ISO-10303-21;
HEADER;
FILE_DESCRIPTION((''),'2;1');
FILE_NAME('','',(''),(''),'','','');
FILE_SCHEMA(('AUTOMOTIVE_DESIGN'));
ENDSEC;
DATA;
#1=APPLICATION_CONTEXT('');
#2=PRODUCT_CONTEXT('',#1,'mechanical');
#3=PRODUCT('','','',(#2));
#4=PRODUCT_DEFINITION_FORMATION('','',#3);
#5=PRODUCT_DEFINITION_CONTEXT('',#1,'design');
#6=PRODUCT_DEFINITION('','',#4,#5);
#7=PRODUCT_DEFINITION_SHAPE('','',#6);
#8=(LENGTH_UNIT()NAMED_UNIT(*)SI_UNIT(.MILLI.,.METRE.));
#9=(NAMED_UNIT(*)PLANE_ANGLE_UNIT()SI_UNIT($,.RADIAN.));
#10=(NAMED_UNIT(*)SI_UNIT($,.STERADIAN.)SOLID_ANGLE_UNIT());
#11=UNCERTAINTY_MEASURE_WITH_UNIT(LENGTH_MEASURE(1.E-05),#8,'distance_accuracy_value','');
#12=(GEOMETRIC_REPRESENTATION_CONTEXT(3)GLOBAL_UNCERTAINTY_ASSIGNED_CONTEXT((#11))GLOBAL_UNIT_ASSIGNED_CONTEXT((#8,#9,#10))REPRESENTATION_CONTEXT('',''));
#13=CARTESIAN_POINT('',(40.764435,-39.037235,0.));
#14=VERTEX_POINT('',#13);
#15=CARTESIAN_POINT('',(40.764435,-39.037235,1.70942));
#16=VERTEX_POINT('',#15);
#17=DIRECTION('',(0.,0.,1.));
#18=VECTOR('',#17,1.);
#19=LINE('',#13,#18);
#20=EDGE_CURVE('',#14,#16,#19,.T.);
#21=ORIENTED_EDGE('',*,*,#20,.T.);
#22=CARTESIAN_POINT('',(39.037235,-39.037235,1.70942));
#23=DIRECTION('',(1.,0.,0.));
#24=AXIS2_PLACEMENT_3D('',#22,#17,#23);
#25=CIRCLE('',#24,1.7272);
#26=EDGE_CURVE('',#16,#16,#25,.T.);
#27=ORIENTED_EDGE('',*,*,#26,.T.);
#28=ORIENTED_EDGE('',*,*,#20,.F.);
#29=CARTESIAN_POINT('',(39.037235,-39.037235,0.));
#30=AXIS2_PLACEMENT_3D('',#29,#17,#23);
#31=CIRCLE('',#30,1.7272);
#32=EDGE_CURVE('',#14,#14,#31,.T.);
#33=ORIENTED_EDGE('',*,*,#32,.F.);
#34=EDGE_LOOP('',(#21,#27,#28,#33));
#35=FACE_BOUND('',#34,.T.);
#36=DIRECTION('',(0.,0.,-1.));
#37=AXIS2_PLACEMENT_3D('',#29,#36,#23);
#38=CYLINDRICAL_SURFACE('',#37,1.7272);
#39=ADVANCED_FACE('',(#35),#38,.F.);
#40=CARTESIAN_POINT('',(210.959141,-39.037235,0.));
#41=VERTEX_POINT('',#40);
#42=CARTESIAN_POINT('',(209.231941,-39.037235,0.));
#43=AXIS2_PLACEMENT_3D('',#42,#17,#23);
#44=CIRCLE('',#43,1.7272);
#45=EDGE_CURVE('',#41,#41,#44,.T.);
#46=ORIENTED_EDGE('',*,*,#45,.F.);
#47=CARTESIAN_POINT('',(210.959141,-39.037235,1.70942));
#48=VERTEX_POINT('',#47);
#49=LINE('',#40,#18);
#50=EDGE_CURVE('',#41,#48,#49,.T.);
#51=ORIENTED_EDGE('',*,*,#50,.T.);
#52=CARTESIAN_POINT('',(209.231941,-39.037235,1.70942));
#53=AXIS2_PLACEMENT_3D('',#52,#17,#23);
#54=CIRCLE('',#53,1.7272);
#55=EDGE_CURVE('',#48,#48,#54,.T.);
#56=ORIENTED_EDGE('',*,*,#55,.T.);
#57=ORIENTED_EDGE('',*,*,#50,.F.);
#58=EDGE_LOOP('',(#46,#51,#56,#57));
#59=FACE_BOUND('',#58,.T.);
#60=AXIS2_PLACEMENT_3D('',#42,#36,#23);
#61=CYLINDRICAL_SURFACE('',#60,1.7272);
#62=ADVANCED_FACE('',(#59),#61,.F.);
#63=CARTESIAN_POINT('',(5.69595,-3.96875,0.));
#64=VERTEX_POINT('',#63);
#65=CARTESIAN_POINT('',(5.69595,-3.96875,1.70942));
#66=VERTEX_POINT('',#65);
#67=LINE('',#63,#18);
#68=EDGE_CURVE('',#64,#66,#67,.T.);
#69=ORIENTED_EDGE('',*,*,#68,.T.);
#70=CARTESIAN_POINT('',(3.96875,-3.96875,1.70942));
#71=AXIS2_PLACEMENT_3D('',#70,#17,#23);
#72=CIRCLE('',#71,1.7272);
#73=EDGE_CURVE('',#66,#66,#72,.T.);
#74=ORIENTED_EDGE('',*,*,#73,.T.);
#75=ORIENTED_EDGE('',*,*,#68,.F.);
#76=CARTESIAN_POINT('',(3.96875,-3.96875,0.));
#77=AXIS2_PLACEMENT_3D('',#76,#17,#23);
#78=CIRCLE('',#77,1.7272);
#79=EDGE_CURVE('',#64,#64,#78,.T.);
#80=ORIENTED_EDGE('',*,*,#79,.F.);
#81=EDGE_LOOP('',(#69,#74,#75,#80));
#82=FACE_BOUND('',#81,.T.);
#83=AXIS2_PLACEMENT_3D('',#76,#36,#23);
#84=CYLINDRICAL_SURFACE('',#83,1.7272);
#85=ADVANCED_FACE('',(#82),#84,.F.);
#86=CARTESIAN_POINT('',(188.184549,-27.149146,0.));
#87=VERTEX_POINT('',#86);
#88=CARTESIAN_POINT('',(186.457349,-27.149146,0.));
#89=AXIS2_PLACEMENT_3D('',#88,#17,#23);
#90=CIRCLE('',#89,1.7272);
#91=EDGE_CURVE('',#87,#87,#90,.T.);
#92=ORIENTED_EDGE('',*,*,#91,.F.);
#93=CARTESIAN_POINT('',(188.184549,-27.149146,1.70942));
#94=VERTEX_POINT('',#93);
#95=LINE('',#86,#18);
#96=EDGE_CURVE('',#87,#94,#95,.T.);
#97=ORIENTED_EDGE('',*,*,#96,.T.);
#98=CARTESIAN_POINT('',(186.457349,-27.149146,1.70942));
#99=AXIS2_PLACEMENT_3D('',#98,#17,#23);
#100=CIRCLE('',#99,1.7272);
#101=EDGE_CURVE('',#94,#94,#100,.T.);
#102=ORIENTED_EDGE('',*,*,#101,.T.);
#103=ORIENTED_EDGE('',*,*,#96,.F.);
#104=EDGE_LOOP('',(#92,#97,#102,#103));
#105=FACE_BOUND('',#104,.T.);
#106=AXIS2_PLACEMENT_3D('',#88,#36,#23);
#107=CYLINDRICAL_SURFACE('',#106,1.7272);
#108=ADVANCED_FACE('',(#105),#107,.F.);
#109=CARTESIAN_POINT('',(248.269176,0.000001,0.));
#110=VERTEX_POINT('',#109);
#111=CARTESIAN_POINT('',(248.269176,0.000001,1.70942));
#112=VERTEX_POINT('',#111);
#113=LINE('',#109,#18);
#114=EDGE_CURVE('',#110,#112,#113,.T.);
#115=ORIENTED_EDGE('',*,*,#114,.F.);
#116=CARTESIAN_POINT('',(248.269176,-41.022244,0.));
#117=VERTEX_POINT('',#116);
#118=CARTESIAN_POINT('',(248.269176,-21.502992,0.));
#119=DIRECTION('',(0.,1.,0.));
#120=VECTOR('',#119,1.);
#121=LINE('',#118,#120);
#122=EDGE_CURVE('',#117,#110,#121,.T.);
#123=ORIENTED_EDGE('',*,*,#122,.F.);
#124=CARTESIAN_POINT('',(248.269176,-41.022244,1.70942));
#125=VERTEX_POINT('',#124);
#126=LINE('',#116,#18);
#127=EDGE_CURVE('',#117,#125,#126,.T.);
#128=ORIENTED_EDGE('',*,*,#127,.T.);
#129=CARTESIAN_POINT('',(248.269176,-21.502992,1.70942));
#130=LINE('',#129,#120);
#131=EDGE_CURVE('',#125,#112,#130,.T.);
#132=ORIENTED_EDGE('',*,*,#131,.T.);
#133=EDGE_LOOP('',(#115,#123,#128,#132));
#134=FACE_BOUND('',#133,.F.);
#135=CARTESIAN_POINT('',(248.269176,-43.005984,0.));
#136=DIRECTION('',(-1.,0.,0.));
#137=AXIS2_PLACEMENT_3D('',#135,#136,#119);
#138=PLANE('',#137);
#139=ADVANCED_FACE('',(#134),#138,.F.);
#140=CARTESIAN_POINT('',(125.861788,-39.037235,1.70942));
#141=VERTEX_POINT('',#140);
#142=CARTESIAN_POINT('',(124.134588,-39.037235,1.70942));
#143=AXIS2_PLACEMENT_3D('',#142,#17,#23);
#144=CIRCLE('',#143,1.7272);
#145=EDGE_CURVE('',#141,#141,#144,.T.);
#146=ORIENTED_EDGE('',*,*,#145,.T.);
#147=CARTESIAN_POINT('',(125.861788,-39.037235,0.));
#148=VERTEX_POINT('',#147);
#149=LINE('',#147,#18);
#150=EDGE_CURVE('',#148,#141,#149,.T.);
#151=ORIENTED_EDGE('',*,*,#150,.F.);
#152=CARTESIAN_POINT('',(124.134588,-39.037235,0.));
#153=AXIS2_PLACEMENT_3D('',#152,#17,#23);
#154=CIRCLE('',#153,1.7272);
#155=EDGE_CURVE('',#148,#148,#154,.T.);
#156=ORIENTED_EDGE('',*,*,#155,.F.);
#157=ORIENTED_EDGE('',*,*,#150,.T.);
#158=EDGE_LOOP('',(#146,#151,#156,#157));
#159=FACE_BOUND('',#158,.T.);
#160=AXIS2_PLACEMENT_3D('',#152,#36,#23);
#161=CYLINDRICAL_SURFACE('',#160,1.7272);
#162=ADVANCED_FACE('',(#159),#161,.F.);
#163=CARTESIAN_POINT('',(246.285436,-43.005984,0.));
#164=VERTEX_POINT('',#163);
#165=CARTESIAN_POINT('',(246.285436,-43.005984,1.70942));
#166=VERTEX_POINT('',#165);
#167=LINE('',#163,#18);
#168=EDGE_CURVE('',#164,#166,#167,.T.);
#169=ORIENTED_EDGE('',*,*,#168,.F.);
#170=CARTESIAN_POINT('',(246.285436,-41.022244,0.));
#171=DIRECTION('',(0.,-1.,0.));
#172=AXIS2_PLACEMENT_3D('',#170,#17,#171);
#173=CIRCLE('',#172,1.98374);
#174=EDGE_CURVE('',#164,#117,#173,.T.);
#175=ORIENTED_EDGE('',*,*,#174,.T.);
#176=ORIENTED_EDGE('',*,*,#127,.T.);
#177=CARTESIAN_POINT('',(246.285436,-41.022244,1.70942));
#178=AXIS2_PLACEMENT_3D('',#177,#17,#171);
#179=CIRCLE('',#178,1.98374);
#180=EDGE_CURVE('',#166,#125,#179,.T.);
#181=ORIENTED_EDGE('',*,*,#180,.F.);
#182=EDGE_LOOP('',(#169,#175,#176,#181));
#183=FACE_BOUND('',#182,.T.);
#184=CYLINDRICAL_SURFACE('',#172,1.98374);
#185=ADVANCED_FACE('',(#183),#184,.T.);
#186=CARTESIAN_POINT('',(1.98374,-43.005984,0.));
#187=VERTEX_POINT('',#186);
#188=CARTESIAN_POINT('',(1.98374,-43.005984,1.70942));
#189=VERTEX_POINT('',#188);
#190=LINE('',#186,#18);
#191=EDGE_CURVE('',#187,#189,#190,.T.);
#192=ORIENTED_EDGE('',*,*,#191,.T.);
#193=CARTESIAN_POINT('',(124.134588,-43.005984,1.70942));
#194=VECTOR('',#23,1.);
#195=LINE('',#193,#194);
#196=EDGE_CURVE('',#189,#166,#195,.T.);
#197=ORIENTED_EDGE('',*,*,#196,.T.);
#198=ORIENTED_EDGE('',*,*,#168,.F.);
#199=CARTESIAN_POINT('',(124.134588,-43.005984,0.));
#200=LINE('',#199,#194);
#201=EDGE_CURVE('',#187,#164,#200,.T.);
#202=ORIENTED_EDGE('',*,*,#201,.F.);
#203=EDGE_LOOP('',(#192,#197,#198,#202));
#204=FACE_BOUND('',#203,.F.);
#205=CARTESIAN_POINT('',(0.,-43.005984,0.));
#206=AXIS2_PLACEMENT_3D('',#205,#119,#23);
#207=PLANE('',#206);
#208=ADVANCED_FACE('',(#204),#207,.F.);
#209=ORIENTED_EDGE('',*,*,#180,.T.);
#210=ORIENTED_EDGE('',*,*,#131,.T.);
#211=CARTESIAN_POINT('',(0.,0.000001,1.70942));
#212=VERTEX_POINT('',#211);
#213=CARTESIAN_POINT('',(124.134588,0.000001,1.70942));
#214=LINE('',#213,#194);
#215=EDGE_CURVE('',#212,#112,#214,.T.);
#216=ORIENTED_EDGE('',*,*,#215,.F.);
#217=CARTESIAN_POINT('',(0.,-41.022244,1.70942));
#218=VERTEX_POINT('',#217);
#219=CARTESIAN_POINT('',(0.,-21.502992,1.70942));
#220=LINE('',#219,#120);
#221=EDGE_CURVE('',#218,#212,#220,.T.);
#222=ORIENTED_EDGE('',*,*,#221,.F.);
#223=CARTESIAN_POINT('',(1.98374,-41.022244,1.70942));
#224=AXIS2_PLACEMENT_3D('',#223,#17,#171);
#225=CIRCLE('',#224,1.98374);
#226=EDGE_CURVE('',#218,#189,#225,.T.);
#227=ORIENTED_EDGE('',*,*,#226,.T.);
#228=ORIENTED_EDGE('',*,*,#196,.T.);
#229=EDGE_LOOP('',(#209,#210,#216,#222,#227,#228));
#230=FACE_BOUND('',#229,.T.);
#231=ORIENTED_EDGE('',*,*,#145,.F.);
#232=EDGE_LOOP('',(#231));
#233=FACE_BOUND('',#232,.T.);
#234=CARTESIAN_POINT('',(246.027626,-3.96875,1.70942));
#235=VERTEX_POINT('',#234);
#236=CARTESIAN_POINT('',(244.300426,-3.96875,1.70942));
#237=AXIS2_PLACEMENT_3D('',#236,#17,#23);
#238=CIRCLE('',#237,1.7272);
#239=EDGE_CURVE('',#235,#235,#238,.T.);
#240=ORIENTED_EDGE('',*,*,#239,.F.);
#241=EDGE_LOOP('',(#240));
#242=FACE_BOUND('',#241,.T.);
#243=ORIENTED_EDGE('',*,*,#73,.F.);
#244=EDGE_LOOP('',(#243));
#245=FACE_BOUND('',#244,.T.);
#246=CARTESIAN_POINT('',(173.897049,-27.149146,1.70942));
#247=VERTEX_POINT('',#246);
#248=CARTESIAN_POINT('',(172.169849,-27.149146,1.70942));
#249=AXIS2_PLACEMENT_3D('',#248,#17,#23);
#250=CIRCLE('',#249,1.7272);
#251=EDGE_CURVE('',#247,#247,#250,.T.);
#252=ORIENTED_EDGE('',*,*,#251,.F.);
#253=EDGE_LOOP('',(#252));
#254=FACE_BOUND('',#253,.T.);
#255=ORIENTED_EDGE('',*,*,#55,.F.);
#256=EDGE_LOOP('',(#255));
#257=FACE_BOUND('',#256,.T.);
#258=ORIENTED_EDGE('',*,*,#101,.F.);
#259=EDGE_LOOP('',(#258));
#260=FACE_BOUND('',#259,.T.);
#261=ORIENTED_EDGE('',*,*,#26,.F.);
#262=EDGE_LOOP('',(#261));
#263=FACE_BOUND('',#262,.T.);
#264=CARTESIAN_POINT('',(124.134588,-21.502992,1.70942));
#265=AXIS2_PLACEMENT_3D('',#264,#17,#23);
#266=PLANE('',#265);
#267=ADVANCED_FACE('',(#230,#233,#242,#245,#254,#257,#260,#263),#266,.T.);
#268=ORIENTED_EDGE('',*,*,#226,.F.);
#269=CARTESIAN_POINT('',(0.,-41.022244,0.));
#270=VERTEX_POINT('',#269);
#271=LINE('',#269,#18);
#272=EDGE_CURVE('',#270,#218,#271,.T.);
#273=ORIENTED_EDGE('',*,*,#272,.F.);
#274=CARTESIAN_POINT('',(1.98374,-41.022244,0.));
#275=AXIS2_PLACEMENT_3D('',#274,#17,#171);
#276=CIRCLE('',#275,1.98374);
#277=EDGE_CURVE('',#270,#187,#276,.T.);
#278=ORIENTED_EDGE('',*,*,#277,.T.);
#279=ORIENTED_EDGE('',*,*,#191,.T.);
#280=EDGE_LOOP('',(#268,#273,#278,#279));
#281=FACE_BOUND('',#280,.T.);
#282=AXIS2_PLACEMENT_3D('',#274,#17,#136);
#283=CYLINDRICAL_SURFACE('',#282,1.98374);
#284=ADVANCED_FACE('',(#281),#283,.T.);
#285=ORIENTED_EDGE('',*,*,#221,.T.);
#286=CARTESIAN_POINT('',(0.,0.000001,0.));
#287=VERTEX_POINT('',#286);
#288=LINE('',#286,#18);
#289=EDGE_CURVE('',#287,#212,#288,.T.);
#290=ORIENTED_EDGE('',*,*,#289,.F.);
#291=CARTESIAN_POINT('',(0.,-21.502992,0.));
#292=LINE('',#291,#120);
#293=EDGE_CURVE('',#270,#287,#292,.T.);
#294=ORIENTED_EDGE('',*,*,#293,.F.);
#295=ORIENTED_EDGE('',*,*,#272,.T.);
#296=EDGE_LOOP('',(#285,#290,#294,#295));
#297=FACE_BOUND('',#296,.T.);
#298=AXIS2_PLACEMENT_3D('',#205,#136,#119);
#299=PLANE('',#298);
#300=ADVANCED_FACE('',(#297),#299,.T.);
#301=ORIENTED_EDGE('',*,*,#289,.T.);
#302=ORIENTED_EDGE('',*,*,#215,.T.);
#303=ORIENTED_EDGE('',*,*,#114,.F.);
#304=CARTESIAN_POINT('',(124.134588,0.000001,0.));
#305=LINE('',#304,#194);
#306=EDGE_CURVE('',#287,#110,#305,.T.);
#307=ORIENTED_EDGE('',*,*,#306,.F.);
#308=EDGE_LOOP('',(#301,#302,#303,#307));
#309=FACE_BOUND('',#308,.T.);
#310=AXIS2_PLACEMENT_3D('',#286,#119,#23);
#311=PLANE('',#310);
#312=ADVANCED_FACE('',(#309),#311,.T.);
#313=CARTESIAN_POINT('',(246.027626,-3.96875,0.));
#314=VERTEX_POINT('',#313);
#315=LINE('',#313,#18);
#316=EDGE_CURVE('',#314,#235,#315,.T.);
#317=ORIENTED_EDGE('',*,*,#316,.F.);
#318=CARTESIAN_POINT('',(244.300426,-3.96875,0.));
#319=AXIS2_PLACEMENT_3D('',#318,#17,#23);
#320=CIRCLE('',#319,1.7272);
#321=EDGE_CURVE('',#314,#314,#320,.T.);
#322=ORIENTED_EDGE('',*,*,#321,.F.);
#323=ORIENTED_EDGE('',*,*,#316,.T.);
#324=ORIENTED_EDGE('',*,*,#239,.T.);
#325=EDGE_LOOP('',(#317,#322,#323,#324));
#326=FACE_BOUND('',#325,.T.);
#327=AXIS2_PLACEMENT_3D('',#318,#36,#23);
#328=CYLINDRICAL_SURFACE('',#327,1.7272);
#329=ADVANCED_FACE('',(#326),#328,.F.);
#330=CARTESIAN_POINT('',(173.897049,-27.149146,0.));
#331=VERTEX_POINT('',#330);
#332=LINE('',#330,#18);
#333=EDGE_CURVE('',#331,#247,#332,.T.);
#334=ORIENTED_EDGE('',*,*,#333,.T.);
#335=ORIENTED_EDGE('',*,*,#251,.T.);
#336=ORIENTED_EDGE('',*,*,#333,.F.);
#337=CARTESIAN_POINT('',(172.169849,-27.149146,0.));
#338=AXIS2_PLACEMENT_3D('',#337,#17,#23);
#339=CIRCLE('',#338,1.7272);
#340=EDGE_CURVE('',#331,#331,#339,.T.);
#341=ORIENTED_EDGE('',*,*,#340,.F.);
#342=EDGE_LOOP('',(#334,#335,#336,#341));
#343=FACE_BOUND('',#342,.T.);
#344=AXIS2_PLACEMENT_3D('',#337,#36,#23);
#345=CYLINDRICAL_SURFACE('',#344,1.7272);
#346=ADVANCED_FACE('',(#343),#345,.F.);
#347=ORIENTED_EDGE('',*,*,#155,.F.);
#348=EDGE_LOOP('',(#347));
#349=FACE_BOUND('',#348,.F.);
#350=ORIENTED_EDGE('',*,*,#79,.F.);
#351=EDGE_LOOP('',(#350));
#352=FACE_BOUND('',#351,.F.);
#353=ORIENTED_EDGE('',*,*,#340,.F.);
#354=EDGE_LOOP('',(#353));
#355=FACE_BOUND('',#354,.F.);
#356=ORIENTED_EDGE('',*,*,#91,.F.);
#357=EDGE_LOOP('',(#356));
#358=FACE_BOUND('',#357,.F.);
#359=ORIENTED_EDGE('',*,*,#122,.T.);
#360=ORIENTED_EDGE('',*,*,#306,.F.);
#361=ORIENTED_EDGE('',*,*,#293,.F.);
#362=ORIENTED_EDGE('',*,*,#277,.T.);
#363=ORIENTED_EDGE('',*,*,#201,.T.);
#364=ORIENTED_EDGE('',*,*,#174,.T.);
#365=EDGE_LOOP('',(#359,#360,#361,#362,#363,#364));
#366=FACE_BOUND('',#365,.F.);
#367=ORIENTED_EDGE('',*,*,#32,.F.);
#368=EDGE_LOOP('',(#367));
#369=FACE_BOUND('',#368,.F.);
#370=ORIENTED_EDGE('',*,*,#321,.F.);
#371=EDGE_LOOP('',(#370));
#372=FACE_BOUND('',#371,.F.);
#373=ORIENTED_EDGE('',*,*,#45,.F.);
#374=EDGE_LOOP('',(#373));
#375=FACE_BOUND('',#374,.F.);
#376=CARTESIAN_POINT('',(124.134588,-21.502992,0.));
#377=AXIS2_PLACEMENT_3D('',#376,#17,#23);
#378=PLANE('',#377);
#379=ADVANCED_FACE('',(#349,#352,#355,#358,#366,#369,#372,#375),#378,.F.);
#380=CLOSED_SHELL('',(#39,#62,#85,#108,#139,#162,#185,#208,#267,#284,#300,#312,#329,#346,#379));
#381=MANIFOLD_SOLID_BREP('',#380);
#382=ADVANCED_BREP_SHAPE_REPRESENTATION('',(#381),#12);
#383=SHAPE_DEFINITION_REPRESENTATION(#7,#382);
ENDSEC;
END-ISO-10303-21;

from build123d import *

# Parameters (mm, degrees)
F0_W     = 248.269176
F0_H     = 43.005985
F0_R     = 1.7272
F1_DEPTH = 1.70942
F2_R     = 1.98374


with BuildPart() as f1:
    # F0 (on Top) → F1 (new body)
    with BuildSketch(Plane.XY):
        with Locations((124.134588, -21.502992)):
            Rectangle(F0_W, F0_H)
        with Locations((39.037235, -39.037235)):
            Circle(F0_R, mode=Mode.SUBTRACT)
        with Locations((124.134588, -39.037235)):
            Circle(F0_R, mode=Mode.SUBTRACT)
        with Locations((209.231941, -39.037235)):
            Circle(F0_R, mode=Mode.SUBTRACT)
        with Locations((172.169849, -27.149146)):
            Circle(F0_R, mode=Mode.SUBTRACT)
        with Locations((186.457349, -27.149146)):
            Circle(F0_R, mode=Mode.SUBTRACT)
        with Locations((3.96875, -3.96875)):
            Circle(F0_R, mode=Mode.SUBTRACT)
        with Locations((244.300426, -3.96875)):
            Circle(F0_R, mode=Mode.SUBTRACT)
    extrude(amount=F1_DEPTH)

    # F2
    f2_edges = [f1.edges().sort_by_distance(p)[0] for p in [
        (0, -43.005985, 0.85471),
        (248.269176, -43.005985, 0.85471),
    ]]
    fillet(f2_edges, radius=F2_R)


solid = f1.part
